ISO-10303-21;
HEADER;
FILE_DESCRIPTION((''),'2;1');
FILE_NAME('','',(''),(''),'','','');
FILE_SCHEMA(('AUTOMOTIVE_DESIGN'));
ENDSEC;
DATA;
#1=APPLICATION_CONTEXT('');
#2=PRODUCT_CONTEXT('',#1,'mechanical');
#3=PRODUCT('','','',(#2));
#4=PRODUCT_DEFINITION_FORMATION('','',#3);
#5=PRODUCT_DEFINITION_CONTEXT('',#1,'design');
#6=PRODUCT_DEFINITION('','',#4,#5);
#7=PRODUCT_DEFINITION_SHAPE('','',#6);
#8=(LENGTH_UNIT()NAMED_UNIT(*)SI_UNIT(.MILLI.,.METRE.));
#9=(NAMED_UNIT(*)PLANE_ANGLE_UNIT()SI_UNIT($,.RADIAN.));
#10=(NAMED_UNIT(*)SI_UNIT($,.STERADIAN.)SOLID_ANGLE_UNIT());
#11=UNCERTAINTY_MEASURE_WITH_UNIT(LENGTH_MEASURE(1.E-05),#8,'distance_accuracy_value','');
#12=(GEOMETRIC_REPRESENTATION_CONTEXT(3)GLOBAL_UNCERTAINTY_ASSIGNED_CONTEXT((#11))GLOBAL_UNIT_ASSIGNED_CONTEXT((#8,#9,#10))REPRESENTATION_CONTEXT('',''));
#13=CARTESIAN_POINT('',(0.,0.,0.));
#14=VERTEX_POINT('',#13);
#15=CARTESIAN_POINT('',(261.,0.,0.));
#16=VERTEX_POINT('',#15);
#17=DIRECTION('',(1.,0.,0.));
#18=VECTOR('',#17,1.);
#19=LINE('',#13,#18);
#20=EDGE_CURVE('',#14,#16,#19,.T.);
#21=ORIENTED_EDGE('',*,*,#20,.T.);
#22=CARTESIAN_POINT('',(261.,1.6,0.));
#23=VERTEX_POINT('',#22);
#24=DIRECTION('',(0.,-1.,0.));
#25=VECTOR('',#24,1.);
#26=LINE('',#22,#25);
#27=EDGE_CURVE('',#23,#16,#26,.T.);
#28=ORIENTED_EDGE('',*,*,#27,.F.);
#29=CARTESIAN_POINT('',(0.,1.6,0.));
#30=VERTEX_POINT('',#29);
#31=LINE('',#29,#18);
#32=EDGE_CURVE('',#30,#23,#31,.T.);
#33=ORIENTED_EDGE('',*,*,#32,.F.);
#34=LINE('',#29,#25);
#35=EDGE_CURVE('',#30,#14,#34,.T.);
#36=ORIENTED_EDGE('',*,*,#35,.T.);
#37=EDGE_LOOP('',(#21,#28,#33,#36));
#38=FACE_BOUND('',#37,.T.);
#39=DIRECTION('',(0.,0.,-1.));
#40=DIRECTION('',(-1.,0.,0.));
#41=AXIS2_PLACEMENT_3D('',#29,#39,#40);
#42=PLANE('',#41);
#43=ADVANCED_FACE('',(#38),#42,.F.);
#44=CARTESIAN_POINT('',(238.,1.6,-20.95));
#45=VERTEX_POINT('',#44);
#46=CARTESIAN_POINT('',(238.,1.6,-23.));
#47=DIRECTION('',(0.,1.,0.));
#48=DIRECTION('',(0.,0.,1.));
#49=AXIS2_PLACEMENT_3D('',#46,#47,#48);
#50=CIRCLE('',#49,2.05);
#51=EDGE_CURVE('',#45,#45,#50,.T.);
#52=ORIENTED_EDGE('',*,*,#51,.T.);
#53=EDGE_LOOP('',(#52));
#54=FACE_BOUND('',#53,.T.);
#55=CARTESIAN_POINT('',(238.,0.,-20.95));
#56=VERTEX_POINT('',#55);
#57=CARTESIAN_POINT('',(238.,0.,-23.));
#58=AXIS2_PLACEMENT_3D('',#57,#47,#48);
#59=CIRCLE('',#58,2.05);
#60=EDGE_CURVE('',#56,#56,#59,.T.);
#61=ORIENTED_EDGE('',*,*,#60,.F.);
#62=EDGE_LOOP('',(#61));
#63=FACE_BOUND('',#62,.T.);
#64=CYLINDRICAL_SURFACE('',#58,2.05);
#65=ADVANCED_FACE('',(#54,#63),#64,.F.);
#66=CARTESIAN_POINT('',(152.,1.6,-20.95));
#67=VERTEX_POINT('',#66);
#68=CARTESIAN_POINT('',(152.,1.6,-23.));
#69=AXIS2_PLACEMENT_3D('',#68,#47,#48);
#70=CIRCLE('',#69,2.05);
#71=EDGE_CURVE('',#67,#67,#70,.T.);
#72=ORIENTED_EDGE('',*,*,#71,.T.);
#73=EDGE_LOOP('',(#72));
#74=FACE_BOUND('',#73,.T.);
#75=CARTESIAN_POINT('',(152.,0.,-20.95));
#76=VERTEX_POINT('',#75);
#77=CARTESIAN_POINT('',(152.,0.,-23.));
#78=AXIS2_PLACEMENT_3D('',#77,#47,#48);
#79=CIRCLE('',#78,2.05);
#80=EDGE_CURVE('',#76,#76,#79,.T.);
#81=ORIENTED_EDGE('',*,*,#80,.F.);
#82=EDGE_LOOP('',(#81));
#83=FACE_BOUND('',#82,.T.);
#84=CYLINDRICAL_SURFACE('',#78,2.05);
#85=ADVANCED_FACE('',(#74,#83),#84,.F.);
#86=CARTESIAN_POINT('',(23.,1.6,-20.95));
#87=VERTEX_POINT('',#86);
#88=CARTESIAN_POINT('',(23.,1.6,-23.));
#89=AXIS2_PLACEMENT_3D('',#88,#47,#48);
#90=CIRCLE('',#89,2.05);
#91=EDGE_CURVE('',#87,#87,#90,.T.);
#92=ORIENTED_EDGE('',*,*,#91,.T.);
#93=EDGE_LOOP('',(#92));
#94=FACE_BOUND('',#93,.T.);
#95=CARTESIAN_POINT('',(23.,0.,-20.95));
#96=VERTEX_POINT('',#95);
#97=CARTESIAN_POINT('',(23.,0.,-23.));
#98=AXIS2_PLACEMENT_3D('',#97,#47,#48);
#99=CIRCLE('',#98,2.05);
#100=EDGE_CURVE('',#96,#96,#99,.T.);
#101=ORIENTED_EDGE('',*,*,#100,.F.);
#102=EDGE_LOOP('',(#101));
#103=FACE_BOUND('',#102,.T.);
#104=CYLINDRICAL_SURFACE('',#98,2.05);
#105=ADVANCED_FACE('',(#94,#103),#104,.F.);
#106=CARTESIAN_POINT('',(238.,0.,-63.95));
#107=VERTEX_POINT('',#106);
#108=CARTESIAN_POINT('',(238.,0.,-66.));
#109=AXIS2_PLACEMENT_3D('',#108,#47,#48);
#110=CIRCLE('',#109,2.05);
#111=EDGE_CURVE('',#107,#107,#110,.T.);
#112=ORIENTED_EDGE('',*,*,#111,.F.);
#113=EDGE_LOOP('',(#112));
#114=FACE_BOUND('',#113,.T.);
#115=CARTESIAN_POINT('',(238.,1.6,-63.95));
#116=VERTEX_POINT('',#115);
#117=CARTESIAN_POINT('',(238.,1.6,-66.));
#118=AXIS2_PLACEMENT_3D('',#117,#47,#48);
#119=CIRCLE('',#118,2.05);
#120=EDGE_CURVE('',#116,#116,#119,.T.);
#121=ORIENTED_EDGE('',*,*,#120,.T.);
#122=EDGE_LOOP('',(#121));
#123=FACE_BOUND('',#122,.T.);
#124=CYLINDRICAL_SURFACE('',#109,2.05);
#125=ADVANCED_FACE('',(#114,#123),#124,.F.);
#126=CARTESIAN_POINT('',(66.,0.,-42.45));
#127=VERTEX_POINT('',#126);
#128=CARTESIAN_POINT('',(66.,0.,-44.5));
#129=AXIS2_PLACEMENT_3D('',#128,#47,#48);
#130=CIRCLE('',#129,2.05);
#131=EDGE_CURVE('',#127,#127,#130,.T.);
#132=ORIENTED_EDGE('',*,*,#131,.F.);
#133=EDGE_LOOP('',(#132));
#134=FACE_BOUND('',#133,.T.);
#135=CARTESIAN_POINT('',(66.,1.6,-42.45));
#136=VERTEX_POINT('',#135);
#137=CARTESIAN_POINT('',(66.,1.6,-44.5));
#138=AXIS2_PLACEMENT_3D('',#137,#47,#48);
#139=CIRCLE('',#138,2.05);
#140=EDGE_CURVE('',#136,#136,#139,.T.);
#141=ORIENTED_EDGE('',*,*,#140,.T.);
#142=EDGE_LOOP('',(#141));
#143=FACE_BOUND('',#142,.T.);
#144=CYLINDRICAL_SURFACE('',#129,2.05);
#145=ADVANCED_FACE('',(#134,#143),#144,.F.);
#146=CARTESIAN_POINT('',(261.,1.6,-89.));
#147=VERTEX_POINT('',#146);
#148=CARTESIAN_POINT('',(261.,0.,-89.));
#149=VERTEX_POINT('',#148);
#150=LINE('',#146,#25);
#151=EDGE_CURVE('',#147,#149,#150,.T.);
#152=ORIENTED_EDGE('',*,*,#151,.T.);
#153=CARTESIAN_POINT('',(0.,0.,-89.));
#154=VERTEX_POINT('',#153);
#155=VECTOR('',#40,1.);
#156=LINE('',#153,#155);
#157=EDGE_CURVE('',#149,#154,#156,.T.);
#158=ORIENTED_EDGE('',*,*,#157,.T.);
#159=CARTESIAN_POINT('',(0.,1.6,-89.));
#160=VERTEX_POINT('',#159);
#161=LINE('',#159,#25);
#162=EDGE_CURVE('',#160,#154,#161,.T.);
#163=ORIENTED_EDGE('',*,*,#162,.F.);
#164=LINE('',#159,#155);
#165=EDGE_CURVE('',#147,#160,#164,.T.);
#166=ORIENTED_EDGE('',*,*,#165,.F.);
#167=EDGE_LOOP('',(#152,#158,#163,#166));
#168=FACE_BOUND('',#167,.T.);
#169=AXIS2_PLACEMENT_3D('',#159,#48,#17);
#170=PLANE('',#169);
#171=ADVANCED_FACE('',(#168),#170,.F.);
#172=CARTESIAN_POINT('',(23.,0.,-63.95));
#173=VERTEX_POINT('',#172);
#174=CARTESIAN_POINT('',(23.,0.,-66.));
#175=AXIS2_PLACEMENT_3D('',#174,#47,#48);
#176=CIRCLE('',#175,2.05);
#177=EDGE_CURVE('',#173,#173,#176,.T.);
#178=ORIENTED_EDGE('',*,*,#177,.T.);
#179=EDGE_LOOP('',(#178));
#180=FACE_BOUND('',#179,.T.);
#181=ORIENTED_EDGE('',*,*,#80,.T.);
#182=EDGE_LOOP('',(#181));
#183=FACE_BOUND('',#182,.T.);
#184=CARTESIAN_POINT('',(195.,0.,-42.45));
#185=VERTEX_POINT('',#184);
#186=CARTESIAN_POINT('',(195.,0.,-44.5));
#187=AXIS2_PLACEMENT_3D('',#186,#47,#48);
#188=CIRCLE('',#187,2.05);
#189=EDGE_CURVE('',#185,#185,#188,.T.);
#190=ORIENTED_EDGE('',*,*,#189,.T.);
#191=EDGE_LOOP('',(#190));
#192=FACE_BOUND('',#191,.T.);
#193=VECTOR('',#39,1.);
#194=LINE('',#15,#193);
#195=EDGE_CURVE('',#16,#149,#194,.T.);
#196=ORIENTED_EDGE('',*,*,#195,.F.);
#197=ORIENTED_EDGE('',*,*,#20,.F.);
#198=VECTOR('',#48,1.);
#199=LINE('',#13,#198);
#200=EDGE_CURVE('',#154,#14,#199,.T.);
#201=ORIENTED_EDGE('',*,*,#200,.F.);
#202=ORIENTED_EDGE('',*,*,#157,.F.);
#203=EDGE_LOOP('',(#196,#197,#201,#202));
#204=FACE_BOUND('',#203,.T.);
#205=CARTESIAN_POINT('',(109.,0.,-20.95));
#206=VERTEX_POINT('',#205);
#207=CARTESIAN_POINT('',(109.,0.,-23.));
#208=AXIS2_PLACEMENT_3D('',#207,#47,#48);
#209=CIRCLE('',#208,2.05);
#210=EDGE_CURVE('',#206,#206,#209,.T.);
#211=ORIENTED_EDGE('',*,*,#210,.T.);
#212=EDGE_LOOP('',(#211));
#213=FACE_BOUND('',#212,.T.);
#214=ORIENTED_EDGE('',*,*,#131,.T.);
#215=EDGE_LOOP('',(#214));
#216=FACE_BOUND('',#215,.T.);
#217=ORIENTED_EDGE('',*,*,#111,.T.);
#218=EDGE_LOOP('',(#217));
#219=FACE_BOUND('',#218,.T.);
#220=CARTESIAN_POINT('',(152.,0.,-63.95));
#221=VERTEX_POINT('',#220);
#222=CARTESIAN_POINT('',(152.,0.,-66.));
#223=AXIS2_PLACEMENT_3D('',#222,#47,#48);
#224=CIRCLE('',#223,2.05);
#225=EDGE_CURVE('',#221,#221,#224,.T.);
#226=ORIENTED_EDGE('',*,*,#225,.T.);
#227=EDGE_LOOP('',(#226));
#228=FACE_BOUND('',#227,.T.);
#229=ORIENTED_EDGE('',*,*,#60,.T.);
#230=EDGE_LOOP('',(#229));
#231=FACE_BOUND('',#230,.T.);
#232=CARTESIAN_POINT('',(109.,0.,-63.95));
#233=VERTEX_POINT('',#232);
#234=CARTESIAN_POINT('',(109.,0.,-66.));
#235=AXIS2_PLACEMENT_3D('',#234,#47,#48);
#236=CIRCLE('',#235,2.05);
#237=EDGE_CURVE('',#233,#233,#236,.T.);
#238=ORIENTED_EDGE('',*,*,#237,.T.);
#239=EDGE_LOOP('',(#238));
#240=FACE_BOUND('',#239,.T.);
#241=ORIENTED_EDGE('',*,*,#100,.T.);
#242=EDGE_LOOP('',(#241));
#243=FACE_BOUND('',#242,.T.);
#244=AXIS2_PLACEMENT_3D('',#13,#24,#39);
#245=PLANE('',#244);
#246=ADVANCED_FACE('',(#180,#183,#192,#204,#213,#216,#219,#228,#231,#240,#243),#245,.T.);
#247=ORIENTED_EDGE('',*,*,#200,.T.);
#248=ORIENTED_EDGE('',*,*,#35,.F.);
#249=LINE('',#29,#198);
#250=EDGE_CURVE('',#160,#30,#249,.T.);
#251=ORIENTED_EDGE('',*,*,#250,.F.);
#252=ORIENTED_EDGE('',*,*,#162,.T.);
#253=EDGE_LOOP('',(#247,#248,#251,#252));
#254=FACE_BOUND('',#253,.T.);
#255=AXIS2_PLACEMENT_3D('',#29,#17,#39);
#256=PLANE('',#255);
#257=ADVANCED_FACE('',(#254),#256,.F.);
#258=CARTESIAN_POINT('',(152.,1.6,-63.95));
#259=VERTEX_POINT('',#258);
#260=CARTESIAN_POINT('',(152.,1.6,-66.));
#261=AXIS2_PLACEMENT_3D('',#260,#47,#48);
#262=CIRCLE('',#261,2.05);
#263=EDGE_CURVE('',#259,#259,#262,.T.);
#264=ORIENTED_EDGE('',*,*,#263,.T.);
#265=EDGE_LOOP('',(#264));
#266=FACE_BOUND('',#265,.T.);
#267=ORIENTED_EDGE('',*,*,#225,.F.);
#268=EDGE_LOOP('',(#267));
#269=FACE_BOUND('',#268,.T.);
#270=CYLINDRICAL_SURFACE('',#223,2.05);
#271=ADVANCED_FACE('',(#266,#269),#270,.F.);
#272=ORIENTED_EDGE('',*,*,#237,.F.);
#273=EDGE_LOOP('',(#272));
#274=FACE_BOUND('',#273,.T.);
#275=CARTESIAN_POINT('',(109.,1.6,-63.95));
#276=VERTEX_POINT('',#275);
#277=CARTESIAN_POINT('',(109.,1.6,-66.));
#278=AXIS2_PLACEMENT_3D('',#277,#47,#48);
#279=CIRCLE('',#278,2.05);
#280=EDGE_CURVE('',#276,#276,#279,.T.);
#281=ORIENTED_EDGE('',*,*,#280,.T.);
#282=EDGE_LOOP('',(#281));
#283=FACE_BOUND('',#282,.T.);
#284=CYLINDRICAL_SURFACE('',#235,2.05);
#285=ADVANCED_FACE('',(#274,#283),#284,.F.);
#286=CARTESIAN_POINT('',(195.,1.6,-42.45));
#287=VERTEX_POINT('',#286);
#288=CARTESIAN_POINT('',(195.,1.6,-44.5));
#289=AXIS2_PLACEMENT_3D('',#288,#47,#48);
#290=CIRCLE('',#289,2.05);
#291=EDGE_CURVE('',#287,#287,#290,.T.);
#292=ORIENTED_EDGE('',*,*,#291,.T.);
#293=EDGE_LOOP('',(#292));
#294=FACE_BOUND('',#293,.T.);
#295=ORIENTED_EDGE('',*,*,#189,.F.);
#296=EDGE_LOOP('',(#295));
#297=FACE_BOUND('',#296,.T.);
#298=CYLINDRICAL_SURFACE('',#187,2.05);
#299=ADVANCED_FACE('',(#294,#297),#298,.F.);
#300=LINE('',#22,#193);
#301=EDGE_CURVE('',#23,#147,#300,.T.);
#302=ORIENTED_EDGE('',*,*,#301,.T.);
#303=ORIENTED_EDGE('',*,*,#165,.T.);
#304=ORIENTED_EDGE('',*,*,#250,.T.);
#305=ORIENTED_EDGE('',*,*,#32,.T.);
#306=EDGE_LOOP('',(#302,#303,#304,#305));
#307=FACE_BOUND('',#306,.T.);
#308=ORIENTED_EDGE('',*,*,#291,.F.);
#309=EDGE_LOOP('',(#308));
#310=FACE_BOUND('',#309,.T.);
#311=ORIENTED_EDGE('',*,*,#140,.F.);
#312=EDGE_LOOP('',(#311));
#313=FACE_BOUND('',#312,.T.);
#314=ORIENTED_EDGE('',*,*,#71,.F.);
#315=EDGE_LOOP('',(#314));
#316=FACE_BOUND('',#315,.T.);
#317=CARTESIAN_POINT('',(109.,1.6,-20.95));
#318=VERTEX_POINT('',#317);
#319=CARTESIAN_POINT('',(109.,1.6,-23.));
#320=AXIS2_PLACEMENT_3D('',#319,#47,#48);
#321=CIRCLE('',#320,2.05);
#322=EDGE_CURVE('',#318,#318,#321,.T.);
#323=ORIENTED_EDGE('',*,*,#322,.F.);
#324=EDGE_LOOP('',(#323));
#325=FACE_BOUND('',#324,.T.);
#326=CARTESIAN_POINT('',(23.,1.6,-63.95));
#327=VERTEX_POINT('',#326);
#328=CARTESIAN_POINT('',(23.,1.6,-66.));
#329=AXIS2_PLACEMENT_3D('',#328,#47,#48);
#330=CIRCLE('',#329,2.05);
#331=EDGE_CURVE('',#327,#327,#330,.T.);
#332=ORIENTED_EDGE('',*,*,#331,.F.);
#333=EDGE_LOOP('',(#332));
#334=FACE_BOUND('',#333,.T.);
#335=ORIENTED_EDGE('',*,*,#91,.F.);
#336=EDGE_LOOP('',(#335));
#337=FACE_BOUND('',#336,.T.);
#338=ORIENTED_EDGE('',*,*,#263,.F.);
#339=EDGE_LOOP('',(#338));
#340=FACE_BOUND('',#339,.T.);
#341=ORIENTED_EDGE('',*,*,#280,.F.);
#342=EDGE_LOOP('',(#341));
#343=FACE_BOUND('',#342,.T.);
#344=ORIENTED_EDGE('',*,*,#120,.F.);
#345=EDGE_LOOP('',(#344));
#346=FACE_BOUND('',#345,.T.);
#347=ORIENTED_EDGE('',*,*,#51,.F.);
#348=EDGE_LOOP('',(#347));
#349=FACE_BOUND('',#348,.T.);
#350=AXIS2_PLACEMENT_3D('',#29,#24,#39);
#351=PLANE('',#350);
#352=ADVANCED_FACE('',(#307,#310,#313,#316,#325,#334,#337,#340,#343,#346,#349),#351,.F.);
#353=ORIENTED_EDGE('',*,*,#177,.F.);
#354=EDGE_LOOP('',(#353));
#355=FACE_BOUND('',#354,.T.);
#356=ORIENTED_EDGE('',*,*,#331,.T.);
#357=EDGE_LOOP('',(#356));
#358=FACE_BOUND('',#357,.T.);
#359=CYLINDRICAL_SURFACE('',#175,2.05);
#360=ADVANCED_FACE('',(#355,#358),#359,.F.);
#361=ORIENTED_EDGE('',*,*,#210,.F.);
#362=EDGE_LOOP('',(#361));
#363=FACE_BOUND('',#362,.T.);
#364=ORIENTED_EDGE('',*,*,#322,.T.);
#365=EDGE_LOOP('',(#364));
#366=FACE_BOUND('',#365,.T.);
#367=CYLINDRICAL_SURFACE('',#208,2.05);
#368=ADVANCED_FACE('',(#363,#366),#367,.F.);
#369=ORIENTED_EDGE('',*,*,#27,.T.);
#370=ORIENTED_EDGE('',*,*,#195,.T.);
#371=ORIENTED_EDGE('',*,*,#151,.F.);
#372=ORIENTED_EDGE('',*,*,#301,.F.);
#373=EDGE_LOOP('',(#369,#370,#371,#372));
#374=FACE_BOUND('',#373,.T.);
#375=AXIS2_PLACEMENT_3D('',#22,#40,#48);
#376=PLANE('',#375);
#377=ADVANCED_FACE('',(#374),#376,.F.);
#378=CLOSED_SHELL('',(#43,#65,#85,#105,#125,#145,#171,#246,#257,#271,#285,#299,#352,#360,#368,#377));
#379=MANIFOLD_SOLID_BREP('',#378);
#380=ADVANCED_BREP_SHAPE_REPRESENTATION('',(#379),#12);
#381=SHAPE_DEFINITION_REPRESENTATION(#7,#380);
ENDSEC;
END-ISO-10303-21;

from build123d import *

# Parameters (mm, degrees)
SKETCH1_W           = 261
SKETCH1_H           = 89
BOSS_EXTRUDE1_DEPTH = 1.6
SKETCH3_R           = 2.05
CUT_EXTRUDE1_DEPTH  = 276.761781253


with BuildPart() as part:
    # Sketch1 → Boss-Extrude1 (new body)
    with BuildSketch(Plane(origin=(0, 0, 0), x_dir=(1, 0, 0), z_dir=(0, 1, 0))):
        with Locations((130.5, 44.5)):
            Rectangle(SKETCH1_W, SKETCH1_H)
    extrude(amount=BOSS_EXTRUDE1_DEPTH)

    # Sketch3 → Cut-Extrude1 (cut, through all)
    with BuildSketch(Plane(origin=(0, 1.6, 0), x_dir=(1, 0, 0), z_dir=(0, 1, 0))):
        with Locations(Location((23, 66, 0), (0, 0, 270))):
            Circle(SKETCH3_R)
        with Locations(Location((23, 23, 0), (0, 0, 270))):
            Circle(SKETCH3_R)
        with Locations(Location((66, 44.5, 0), (0, 0, 270))):
            Circle(SKETCH3_R)
        with Locations(Location((109, 66, 0), (0, 0, 270))):
            Circle(SKETCH3_R)
        with Locations(Location((109, 23, 0), (0, 0, 270))):
            Circle(SKETCH3_R)
        with Locations(Location((152, 23, 0), (0, 0, 270))):
            Circle(SKETCH3_R)
        with Locations(Location((152, 66, 0), (0, 0, 270))):
            Circle(SKETCH3_R)
        with Locations(Location((195, 44.5, 0), (0, 0, 270))):
            Circle(SKETCH3_R)
        with Locations(Location((238, 66, 0), (0, 0, 270))):
            Circle(SKETCH3_R)
        with Locations(Location((238, 23, 0), (0, 0, 270))):
            Circle(SKETCH3_R)
    extrude(amount=-CUT_EXTRUDE1_DEPTH, mode=Mode.SUBTRACT)


solid = part.part
